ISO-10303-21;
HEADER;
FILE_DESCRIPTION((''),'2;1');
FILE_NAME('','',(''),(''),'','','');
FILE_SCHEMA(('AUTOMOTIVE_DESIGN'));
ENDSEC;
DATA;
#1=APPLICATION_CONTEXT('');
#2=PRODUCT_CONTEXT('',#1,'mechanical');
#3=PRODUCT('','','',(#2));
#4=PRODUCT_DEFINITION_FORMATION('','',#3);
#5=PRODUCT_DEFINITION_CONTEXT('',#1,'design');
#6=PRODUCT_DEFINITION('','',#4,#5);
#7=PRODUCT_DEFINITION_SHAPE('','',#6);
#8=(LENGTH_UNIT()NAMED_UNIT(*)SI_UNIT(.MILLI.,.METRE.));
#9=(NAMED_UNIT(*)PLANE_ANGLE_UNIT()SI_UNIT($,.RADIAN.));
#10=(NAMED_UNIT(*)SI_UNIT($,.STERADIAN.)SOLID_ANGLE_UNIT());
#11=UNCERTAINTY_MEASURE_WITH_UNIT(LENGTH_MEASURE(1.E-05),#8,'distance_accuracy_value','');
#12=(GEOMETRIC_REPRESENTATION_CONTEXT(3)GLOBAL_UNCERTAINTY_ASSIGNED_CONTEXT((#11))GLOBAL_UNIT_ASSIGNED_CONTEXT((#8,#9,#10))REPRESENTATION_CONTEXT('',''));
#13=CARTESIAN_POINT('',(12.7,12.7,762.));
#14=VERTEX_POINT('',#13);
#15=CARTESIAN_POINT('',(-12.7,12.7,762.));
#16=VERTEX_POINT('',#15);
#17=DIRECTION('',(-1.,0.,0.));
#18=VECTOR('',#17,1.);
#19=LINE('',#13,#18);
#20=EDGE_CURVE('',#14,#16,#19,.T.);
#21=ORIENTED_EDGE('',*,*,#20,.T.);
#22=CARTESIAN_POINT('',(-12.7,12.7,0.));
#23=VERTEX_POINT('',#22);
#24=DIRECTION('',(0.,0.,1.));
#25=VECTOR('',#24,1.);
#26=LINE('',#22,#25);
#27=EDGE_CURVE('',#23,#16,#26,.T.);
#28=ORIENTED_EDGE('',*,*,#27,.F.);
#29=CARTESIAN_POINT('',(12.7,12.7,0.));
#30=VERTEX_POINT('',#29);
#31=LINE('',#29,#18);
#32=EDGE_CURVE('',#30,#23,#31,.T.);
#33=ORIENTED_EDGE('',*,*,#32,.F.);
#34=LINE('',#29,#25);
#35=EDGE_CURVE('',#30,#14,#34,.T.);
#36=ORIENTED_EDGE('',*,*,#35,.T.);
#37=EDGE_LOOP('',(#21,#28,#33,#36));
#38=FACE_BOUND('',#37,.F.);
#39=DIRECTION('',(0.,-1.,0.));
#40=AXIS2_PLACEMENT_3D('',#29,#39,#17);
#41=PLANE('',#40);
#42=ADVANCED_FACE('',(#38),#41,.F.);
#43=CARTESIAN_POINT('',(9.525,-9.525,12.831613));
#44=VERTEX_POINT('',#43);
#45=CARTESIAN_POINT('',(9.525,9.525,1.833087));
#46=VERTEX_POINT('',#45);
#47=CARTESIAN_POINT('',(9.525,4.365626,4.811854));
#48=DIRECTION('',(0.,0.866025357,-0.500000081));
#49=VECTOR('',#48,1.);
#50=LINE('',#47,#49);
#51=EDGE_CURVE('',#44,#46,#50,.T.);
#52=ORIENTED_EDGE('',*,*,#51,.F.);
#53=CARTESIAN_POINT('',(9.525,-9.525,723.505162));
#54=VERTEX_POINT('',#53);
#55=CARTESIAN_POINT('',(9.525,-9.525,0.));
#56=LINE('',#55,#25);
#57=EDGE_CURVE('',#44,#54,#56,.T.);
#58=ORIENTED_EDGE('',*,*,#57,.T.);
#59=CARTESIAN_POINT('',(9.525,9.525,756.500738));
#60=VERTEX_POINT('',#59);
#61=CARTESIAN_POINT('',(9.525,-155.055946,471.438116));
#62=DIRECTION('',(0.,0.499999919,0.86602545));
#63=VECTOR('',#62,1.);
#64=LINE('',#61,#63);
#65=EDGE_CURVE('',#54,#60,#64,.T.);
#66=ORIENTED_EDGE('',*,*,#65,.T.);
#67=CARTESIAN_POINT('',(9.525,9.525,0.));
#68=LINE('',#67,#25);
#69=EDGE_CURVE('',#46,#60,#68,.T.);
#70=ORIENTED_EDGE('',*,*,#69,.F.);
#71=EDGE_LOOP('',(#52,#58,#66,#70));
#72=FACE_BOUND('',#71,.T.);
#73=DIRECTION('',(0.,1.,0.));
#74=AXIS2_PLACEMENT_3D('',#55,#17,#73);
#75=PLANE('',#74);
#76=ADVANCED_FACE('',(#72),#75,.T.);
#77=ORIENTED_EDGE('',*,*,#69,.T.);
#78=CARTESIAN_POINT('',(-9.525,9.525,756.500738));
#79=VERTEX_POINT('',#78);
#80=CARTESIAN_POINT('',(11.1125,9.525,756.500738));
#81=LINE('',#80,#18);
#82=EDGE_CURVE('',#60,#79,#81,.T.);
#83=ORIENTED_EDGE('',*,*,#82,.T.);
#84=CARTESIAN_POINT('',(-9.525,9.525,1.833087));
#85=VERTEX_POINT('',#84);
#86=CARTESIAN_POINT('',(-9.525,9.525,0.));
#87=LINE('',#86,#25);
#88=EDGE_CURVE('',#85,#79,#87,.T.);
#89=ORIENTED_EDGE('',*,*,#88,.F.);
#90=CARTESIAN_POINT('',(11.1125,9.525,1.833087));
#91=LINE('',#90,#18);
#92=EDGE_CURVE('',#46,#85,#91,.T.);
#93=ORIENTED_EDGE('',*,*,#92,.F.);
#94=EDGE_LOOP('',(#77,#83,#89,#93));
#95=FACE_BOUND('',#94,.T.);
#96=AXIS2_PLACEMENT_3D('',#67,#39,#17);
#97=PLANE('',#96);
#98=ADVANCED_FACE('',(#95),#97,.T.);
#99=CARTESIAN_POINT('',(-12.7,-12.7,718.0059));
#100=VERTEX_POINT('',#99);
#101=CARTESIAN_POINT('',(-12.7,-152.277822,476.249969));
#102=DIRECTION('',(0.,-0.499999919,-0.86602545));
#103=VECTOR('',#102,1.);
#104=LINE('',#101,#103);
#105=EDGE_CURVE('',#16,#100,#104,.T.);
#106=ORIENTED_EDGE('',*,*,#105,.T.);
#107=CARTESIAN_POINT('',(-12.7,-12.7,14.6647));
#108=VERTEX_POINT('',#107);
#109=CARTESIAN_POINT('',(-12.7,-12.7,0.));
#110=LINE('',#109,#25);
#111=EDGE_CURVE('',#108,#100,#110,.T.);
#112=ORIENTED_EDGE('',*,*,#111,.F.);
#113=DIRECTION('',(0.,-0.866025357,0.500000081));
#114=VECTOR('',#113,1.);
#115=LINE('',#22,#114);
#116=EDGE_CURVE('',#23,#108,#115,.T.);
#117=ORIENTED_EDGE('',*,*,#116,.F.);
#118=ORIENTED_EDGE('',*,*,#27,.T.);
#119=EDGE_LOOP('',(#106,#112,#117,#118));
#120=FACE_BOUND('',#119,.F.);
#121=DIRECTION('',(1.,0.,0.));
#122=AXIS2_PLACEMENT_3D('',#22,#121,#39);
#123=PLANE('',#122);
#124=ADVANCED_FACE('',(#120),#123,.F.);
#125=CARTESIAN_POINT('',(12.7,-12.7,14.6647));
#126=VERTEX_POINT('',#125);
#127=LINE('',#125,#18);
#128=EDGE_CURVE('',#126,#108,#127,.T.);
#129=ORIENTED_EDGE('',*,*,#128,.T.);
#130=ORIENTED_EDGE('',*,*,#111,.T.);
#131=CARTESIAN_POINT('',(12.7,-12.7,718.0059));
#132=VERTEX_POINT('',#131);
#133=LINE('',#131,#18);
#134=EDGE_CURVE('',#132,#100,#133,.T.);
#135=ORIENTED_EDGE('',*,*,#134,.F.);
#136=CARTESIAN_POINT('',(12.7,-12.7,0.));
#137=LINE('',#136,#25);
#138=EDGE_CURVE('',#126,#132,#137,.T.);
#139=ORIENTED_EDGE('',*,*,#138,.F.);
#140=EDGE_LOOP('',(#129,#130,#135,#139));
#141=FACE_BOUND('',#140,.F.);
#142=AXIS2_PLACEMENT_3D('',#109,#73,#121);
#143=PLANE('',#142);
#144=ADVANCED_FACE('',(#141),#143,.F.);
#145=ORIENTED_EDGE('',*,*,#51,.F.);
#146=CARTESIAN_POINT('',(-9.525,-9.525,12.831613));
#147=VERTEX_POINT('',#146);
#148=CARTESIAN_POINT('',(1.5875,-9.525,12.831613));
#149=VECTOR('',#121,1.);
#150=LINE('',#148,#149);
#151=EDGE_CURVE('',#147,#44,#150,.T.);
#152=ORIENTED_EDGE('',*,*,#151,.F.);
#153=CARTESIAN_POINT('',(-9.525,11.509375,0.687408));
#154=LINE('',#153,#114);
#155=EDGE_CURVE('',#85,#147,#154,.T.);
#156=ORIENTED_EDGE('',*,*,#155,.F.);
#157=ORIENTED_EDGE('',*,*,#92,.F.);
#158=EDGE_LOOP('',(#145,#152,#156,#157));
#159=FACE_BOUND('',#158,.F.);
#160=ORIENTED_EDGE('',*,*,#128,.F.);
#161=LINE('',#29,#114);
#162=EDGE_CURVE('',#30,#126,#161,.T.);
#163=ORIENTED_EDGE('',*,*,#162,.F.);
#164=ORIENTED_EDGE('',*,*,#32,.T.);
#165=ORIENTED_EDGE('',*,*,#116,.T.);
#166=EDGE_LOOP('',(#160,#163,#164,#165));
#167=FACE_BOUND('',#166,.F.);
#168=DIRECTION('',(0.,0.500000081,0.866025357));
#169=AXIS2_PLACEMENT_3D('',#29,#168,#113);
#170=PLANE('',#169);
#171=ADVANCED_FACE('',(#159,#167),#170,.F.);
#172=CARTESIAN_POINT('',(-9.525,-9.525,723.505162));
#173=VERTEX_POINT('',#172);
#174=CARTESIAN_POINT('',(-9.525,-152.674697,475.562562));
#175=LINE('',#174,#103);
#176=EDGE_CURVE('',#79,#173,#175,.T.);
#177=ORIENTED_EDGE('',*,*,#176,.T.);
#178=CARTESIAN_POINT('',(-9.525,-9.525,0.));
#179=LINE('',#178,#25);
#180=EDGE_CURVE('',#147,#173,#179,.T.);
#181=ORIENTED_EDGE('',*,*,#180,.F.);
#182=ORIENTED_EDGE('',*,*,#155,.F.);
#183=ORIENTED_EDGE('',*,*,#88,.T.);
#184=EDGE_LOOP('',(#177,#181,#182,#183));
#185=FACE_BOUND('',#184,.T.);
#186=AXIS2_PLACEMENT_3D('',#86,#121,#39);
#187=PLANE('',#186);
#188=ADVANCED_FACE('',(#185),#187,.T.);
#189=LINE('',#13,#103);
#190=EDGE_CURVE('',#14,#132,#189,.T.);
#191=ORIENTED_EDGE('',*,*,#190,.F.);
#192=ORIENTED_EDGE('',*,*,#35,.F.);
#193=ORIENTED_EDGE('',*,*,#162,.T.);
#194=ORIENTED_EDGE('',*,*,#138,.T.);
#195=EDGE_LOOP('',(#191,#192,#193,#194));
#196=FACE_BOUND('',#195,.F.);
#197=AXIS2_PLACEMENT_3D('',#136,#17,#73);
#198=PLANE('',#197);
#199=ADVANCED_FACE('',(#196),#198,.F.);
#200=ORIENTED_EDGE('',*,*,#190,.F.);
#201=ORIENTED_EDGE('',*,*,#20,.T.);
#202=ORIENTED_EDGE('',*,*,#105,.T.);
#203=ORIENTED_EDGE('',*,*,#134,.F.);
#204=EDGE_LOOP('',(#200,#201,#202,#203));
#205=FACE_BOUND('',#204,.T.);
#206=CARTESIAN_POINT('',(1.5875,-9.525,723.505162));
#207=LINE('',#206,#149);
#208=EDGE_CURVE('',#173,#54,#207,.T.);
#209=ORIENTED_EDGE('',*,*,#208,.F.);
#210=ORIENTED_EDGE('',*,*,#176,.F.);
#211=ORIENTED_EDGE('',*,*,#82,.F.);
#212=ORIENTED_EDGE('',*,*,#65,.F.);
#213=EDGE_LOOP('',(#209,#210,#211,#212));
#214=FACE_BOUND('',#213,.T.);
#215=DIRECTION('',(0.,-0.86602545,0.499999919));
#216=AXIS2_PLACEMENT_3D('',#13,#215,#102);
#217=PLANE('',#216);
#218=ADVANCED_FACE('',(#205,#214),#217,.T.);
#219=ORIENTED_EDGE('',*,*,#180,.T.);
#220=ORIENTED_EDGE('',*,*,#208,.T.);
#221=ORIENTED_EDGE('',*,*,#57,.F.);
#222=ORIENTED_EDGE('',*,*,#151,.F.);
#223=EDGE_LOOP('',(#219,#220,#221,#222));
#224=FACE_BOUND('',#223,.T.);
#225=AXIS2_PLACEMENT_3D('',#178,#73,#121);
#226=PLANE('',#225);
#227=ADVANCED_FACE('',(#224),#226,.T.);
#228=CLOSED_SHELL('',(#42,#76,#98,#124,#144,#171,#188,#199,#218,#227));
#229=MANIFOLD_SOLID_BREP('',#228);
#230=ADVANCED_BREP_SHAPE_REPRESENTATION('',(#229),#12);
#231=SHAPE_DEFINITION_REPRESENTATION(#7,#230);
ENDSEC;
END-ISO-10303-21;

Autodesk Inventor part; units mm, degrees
ref_plane "YZ Plane" through (0, 0, 0) normal (1, 0, 0) x (0, 1, 0)
ref_plane "XZ Plane" through (0, 0, 0) normal (0, 1, 0) x (-1, 0, 0)
ref_plane "XY Plane" through (0, 0, 0) normal (0, 0, 1) x (1, 0, 0)
sketch "Sketch1" plane through (0, 0, 0) normal (0, 0, 1) x (1, 0, 0)
  line L0 (-12.7, -12.7) -> (12.7, -12.7)
  line L1 (12.7, -12.7) -> (12.7, 12.7)
  line L2 (12.7, 12.7) -> (-12.7, 12.7)
  line L3 (-12.7, 12.7) -> (-12.7, -12.7)
  line L4 (-12.7, -12.7) -> (12.7, 12.7) construction
  line L5 (12.7, -12.7) -> (-12.7, 12.7) construction
  line L6 (-9.525, -9.525) -> (9.525, -9.525)
  line L7 (9.525, -9.525) -> (9.525, 9.525)
  line L8 (9.525, 9.525) -> (-9.525, 9.525)
  line L9 (-9.525, 9.525) -> (-9.525, -9.525)
  line L10 (-9.525, -9.525) -> (9.525, 9.525) construction
  line L11 (9.525, -9.525) -> (-9.525, 9.525) construction
  point P0 (0, 0)
  dimension "d0" = 25.4
  dimension "d1" = 25.4
  dimension "d2" = 3.175
extrude "Extrusion1" add sketch "Sketch1" along normal blind 762
sketch "Sketch2" plane through (12.7, -12.7, 0) normal (1, 0, 0) x (0, 0, -1)
  line L0 (0, 0) -> (0, 25.4) projected
  line L1 (0, 25.4) -> (-14.6647, 0)
  line L2 (0, 0) -> (-762, 0) projected
  line L3 (0, 0) -> (0, 25.4)
  line L4 (-14.6647, 0) -> (0, 0)
  point P0 (0, 12.7)
  dimension "d10" = 60
extrude "Extrusion2" cut sketch "Sketch2" against normal through all
sketch "Sketch3" plane through (12.7, -12.7, 762) normal (1, 0, 0) x (0, 0, -1)
  line L0 (762, 25.4) -> (0, 25.4) projected
  line L1 (0, 25.4) -> (43.9941, 0)
  line L2 (747.3353, 0) -> (0, 0) projected
  line L3 (0, 0) -> (0, 25.4)
  line L4 (0, 3.175) -> (0, 22.225) projected
  line L5 (43.9941, 0) -> (0, 0)
  point P0 (762, 12.7)
  dimension "d7" = 30
extrude "Extrusion3" cut sketch "Sketch3" against normal through all
properties part number "hypotAluminumExtrusion"
